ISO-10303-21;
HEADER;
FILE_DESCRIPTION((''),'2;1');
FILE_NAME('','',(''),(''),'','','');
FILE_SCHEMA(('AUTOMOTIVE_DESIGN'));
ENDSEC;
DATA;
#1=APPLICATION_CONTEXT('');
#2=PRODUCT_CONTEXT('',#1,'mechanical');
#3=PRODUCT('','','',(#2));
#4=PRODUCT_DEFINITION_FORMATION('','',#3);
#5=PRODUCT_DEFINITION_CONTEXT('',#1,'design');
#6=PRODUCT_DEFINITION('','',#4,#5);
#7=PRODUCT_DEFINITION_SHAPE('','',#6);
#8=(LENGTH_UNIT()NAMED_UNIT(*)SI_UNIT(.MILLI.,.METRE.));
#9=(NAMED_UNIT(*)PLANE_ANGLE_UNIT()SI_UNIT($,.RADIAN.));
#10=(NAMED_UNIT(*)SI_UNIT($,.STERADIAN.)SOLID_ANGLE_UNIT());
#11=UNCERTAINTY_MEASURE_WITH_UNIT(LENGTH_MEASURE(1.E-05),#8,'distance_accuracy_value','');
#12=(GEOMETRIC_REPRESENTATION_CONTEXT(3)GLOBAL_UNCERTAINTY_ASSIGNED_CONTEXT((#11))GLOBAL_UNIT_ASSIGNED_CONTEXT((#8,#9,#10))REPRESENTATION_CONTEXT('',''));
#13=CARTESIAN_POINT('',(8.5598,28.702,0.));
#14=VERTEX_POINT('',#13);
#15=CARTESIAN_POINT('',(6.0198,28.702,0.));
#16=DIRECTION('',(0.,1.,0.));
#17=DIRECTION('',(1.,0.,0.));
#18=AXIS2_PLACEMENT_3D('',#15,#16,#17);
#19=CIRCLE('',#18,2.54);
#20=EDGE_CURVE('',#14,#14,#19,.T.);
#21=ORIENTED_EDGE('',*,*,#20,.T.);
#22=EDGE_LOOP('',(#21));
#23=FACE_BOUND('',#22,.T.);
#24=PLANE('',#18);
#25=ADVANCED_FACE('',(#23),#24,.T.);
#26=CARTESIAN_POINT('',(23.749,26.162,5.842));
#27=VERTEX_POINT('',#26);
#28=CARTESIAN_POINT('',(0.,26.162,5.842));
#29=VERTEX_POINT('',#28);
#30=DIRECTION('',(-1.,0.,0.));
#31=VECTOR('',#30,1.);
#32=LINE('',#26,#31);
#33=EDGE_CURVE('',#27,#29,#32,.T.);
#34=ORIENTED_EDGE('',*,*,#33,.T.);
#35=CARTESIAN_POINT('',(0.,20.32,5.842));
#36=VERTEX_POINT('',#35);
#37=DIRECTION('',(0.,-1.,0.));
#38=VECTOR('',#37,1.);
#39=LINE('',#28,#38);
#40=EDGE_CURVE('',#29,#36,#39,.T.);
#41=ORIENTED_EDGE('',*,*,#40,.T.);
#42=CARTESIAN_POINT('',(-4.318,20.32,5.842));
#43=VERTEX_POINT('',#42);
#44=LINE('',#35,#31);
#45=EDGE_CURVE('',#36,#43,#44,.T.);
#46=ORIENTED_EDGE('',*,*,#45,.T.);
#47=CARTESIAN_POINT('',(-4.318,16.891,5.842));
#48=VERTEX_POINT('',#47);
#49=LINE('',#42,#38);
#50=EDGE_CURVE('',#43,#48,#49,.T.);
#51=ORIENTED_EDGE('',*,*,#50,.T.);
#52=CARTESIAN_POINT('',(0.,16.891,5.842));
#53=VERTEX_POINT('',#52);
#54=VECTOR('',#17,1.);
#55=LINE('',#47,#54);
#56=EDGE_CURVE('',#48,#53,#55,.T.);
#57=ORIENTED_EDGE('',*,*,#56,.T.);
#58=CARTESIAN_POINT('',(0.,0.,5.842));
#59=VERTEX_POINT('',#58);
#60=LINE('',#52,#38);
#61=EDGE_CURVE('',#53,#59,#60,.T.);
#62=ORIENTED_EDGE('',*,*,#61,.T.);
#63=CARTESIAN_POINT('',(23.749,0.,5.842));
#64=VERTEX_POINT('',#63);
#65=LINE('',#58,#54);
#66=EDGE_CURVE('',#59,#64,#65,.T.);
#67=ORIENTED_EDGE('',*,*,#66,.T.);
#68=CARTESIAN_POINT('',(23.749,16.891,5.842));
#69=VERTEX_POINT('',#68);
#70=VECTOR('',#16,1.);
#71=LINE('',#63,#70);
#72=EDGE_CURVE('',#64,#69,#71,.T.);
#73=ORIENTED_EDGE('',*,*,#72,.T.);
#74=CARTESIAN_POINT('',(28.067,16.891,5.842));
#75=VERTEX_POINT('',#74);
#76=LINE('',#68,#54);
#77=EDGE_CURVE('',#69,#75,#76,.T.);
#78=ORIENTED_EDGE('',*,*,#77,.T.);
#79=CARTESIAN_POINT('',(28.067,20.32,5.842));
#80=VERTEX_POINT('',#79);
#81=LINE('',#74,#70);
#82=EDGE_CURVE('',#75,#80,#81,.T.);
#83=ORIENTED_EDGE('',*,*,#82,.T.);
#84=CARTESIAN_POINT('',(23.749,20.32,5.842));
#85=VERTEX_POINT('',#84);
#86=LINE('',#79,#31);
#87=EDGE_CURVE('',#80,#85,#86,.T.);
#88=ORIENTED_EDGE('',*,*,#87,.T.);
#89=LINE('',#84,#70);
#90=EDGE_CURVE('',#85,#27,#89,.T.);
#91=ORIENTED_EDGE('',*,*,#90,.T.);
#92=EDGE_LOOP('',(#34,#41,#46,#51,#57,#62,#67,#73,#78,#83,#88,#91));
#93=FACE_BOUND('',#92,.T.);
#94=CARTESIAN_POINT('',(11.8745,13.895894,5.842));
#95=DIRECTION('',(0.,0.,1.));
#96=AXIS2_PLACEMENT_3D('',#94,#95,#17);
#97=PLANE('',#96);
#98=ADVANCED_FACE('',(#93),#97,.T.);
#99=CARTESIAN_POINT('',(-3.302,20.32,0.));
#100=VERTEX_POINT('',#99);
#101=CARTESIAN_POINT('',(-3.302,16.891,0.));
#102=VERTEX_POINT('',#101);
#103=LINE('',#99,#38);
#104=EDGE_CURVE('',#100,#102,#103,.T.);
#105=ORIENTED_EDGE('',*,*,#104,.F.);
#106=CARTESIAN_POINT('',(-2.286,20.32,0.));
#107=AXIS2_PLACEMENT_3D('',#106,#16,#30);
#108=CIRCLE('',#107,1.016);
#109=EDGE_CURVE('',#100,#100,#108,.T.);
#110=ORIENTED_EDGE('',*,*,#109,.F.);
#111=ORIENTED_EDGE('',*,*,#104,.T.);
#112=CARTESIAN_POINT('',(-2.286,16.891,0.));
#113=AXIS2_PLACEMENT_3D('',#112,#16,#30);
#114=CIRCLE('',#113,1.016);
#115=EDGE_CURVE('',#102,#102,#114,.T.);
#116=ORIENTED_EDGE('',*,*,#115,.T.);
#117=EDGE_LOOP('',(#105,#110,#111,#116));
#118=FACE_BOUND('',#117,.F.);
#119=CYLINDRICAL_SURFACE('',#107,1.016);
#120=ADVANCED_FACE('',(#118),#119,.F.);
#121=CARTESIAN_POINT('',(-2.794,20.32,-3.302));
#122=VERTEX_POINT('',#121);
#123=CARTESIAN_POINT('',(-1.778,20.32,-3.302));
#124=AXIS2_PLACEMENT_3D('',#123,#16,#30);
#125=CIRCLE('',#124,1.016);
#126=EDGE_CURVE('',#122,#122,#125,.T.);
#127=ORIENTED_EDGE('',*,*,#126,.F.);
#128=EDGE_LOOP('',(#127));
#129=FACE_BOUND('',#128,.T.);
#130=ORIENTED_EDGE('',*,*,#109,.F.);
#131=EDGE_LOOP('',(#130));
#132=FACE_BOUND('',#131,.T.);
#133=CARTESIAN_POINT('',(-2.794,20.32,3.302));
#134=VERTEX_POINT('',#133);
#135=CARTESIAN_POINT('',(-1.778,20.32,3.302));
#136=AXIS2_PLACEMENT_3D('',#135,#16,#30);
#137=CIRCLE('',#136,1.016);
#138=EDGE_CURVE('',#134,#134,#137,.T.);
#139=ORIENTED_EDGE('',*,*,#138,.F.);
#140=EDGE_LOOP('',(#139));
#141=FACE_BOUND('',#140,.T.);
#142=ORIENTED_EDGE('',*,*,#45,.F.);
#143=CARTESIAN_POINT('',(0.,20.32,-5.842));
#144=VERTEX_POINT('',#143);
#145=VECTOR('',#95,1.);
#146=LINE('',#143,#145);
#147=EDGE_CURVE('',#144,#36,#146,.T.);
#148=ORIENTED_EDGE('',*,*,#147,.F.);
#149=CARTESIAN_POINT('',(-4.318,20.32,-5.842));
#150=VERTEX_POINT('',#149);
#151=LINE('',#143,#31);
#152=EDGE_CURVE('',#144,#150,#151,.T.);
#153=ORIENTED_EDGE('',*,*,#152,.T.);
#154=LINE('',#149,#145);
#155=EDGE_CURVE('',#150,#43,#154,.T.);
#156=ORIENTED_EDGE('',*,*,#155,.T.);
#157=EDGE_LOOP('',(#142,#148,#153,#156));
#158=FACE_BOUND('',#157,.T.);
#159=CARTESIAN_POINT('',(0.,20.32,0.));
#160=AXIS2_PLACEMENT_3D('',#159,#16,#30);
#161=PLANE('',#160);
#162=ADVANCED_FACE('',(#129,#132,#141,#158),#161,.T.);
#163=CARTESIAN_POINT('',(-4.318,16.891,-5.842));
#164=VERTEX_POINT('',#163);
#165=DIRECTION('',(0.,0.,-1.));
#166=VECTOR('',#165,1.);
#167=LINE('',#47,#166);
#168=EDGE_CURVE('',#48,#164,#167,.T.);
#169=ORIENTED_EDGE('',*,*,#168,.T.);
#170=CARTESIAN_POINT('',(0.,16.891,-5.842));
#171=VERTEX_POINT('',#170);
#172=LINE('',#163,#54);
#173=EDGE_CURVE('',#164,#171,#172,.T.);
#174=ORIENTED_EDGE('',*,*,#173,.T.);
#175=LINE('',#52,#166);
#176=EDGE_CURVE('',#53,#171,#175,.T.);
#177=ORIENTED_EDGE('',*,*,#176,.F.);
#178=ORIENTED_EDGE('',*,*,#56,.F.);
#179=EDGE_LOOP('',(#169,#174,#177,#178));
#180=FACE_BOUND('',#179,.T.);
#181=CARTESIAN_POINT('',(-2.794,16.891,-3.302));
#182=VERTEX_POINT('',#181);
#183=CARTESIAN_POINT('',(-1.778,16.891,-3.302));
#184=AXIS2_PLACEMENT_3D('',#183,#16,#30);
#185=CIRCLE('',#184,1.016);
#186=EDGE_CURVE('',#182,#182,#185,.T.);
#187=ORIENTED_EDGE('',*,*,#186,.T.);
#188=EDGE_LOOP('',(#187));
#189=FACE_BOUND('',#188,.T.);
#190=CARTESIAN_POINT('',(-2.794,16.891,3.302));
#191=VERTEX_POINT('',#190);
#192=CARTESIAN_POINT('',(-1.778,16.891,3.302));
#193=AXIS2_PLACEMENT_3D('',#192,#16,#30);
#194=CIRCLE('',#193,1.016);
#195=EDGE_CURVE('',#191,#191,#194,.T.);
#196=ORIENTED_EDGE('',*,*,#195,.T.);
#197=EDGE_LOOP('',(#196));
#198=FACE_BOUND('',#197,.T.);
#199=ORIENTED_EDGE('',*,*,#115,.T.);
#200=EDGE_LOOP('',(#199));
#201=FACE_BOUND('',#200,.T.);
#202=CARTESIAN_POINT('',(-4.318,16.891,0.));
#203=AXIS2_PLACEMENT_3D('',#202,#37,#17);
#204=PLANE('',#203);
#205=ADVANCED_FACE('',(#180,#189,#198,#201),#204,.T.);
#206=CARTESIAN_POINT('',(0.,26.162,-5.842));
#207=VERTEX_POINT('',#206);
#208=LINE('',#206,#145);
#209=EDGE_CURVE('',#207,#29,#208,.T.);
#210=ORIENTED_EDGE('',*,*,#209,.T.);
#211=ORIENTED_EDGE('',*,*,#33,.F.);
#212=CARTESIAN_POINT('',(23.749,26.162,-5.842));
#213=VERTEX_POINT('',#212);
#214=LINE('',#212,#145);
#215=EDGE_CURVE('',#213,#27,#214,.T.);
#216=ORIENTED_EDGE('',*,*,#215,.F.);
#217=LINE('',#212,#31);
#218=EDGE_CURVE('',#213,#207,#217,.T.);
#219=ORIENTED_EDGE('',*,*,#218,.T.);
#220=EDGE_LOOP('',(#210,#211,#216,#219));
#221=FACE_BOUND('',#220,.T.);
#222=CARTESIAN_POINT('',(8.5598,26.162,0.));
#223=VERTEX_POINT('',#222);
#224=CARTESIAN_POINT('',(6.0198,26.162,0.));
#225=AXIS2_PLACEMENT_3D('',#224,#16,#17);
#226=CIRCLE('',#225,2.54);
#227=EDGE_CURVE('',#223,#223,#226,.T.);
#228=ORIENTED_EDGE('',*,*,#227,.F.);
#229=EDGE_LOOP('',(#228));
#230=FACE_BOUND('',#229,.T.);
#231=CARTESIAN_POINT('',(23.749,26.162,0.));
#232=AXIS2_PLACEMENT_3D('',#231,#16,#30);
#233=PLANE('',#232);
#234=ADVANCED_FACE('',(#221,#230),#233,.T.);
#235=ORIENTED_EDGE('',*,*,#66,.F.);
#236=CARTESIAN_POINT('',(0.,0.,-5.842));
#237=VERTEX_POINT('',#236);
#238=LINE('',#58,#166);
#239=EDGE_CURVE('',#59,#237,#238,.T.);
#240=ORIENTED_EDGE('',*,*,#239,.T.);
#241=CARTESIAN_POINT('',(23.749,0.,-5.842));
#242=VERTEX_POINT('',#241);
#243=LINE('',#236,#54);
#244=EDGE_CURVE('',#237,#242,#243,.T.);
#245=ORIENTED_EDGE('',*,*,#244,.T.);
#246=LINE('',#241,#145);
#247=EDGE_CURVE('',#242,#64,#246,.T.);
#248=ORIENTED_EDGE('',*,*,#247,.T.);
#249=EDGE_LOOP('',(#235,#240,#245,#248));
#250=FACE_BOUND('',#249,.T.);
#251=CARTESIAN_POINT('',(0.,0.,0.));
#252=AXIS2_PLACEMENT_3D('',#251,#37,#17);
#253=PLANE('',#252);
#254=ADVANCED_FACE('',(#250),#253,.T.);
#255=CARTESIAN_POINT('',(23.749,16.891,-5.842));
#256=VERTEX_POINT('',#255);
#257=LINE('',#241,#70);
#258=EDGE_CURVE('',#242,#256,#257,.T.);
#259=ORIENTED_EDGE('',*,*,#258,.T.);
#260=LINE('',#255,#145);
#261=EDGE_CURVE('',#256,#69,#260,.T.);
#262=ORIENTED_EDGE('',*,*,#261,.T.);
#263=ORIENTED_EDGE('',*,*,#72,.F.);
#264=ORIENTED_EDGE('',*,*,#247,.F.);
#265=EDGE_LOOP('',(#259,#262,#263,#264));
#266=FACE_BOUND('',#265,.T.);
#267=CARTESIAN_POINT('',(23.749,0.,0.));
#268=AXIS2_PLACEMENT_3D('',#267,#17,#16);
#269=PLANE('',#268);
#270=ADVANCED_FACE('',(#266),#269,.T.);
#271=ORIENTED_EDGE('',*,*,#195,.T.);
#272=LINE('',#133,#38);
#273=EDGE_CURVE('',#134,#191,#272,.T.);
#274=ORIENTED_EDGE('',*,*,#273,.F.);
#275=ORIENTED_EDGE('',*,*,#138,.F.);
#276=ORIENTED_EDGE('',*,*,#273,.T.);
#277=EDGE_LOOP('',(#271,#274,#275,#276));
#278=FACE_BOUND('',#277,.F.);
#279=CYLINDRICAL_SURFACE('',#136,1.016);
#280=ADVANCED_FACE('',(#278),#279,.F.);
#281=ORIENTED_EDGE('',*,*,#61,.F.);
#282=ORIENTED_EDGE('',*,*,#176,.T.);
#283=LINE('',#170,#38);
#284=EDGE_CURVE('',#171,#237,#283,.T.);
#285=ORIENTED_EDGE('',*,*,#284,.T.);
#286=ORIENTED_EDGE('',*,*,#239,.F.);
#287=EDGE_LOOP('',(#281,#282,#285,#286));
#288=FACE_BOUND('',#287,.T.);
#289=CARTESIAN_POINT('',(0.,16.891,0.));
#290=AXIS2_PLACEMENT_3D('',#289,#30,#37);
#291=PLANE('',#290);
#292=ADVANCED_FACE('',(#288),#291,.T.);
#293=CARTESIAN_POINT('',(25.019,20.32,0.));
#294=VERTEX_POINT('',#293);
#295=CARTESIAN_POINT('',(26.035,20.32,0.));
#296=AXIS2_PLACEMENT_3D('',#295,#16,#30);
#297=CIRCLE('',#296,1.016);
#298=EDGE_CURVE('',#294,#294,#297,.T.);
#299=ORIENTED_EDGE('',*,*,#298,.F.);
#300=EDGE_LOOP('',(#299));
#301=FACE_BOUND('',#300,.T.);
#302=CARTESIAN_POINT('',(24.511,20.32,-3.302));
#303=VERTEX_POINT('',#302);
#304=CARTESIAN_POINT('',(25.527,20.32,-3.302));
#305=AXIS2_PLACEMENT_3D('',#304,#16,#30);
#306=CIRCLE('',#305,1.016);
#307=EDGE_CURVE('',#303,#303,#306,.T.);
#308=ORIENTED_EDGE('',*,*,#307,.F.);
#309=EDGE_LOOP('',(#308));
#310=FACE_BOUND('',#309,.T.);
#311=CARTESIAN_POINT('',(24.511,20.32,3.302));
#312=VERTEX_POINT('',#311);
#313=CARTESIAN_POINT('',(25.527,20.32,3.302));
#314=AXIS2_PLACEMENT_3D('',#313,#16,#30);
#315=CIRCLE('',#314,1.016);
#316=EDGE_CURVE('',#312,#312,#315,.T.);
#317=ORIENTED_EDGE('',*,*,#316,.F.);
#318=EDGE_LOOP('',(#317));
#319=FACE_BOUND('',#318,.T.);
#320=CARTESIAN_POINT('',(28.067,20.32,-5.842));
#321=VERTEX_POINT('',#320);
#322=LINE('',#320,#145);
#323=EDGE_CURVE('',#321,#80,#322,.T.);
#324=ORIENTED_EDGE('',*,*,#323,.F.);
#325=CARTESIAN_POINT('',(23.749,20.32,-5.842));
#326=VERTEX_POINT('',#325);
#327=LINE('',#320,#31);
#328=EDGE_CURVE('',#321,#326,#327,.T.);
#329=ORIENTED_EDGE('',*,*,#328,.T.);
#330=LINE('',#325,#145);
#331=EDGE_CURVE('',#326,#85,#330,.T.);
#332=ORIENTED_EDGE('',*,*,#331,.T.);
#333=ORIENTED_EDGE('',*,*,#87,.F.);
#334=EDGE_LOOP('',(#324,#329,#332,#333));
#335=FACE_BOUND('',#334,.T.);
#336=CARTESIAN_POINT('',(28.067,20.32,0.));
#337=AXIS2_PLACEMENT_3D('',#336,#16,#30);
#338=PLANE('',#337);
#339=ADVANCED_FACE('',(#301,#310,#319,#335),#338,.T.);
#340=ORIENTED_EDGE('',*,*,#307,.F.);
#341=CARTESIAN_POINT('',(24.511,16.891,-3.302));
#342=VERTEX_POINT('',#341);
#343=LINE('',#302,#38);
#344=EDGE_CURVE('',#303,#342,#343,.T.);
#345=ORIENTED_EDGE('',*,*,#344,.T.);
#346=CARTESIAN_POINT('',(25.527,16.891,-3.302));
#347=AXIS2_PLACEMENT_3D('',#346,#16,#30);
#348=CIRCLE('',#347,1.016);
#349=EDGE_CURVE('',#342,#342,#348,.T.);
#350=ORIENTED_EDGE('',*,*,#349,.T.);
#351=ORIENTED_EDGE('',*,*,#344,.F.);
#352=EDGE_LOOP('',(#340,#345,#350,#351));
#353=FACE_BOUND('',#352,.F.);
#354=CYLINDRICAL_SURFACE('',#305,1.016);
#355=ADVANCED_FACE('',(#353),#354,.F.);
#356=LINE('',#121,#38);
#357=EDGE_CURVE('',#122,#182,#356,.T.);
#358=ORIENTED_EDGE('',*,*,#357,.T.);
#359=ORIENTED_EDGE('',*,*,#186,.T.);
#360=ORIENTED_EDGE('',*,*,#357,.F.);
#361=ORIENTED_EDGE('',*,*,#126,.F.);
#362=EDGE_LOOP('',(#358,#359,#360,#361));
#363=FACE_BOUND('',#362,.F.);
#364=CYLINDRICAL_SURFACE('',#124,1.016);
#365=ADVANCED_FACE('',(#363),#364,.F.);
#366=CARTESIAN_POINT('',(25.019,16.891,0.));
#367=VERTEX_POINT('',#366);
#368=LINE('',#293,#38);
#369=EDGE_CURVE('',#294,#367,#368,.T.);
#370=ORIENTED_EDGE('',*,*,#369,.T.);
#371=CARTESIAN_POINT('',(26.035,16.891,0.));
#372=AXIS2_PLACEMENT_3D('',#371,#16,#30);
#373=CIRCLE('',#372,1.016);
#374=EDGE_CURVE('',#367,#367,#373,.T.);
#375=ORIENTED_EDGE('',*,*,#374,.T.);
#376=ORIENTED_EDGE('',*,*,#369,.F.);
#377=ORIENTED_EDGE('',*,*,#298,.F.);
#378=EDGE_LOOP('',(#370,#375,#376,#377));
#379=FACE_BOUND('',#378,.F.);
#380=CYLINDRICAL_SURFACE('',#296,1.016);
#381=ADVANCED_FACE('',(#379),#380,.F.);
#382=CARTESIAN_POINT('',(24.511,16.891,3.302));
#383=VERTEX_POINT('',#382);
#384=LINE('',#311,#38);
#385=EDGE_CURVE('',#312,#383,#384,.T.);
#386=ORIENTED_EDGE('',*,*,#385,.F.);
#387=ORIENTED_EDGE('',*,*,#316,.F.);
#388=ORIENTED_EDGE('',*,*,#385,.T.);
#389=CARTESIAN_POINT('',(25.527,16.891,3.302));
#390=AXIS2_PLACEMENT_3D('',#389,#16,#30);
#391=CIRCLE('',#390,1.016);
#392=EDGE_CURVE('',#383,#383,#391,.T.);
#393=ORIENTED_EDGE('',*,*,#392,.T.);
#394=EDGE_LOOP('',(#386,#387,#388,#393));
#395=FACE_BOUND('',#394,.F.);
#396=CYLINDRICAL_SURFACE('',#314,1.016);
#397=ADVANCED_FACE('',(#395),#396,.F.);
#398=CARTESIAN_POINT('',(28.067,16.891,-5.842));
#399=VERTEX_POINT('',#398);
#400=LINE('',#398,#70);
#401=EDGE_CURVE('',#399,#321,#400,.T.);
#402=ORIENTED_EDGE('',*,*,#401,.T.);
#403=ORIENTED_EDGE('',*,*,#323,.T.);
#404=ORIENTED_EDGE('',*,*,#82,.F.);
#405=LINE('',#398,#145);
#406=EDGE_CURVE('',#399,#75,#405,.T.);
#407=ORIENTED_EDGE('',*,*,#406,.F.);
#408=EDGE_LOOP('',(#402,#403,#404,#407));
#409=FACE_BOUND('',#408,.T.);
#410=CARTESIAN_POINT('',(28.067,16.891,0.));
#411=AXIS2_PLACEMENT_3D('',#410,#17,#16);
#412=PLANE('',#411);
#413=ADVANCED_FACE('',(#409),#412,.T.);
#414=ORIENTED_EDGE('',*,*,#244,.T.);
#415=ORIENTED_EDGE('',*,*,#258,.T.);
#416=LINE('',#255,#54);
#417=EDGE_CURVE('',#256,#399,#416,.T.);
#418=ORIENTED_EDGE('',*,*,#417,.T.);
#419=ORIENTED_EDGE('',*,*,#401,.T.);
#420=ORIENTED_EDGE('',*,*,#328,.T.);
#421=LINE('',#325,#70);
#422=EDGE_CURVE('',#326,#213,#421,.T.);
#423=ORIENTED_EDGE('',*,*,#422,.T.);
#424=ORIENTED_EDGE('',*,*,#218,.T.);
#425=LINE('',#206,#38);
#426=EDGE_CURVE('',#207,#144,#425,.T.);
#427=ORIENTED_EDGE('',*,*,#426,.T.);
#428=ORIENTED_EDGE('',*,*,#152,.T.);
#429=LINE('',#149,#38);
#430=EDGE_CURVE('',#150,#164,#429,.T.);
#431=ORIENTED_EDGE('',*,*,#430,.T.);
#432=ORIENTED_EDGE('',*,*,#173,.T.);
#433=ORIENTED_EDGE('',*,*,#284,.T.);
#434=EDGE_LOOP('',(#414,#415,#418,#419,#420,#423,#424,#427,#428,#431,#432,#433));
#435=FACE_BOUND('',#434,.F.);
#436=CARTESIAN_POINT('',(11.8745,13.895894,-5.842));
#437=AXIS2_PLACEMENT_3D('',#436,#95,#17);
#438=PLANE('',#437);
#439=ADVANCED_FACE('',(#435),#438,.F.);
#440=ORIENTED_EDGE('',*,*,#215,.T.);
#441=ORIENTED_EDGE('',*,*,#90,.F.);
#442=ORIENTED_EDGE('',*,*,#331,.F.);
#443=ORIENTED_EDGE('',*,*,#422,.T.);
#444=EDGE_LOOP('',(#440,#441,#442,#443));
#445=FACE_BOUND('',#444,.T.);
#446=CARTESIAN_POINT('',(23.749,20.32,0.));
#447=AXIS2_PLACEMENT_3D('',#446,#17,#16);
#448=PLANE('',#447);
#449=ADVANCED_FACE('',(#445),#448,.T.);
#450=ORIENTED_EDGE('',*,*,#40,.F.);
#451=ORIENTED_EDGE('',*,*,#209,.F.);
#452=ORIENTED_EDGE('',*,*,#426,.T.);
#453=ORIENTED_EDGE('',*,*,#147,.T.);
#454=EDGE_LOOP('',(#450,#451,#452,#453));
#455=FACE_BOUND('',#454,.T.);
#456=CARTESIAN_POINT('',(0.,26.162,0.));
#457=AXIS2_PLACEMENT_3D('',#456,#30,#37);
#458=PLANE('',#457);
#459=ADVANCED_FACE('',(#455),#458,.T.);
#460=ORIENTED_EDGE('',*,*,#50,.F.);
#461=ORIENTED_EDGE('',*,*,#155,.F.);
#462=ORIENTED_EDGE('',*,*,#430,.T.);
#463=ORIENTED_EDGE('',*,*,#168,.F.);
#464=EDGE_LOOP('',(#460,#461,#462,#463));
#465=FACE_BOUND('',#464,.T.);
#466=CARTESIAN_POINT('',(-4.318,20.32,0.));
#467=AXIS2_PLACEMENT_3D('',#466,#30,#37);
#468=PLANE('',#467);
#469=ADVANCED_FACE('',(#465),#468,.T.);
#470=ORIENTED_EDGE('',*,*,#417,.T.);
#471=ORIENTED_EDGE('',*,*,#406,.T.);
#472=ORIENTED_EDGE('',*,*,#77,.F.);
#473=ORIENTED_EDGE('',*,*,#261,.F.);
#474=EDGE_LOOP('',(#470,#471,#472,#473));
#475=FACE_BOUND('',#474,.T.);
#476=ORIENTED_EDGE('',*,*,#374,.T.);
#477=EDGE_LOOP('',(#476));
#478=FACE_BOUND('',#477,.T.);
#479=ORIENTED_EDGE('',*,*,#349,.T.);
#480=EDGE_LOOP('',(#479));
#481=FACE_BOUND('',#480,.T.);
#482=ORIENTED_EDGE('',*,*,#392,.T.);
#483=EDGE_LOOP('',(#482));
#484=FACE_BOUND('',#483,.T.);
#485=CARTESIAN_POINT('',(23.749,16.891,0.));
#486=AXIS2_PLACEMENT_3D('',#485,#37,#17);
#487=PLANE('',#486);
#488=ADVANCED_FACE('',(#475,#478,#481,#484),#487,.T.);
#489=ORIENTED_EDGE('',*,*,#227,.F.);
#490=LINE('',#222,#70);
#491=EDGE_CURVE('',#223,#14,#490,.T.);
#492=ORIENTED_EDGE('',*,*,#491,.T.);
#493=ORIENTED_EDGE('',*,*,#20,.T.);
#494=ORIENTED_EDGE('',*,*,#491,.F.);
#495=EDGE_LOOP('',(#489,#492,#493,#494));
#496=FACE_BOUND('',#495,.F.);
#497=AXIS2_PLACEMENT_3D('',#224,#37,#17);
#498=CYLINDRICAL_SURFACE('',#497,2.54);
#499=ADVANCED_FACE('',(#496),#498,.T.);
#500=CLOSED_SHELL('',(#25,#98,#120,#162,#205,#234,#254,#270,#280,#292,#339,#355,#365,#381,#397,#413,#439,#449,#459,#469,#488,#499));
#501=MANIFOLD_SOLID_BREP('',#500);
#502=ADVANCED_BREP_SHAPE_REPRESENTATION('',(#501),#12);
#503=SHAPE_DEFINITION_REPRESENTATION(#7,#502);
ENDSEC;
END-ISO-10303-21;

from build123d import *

# Parameters (mm, degrees)
BOSS_EXTRUDE1_DEPTH = 5.842
SKETCH2_R           = 2.54
BOSS_EXTRUDE2_DEPTH = 2.54
CUT_EXTRUDE1_REACH  = 37.14
SKETCH3_R           = 1.016


with BuildPart() as part:
    # Sketch1 → Boss-Extrude1 (new, symmetric)
    with BuildSketch(Plane.XY):
        Polygon((0, 0), (23.749, 0), (23.749, 16.891), (28.067, 16.891), (28.067, 20.32), (23.749, 20.32), (23.749, 26.162), (0, 26.162), (0, 20.32), (-4.318, 20.32), (-4.318, 16.891), (0, 16.891), align=None)
    extrude(amount=BOSS_EXTRUDE1_DEPTH, both=True)

    # Sketch2 → Boss-Extrude2 (add)
    with BuildSketch(Plane(origin=(0, 26.162, 0), x_dir=(1, 0, 0), z_dir=(0, 1, 0))):
        with Locations((6.0198, 0)):
            Circle(SKETCH2_R)
    extrude(amount=BOSS_EXTRUDE2_DEPTH)

    # Sketch3 → Cut-Extrude1 (cut, up to next)
    with BuildSketch(Plane(origin=(0, 20.32, 0), x_dir=(1, 0, 0), z_dir=(0, 1, 0)), mode=Mode.PRIVATE) as cut_extrude1_sk1:
        with Locations(Location((-2.286, 0, 0), (0, 0, 180))):
            Circle(SKETCH3_R)
    cut_extrude1_tool1 = extrude(cut_extrude1_sk1.sketch, amount=-CUT_EXTRUDE1_REACH, mode=Mode.PRIVATE) & part.part
    # Sketch3 → Cut-Extrude1 (cut, up to next)
    with BuildSketch(Plane(origin=(0, 20.32, 0), x_dir=(1, 0, 0), z_dir=(0, 1, 0)), mode=Mode.PRIVATE) as cut_extrude1_sk2:
        with Locations(Location((-1.778, 3.302, 0), (0, 0, 180))):
            Circle(SKETCH3_R)
    cut_extrude1_tool2 = extrude(cut_extrude1_sk2.sketch, amount=-CUT_EXTRUDE1_REACH, mode=Mode.PRIVATE) & part.part
    # Sketch3 → Cut-Extrude1 (cut, up to next)
    with BuildSketch(Plane(origin=(0, 20.32, 0), x_dir=(1, 0, 0), z_dir=(0, 1, 0)), mode=Mode.PRIVATE) as cut_extrude1_sk3:
        with Locations(Location((-1.778, -3.302, 0), (0, 0, 180))):
            Circle(SKETCH3_R)
    cut_extrude1_tool3 = extrude(cut_extrude1_sk3.sketch, amount=-CUT_EXTRUDE1_REACH, mode=Mode.PRIVATE) & part.part
    # Sketch3 → Cut-Extrude1 (cut, up to next)
    with BuildSketch(Plane(origin=(0, 20.32, 0), x_dir=(1, 0, 0), z_dir=(0, 1, 0)), mode=Mode.PRIVATE) as cut_extrude1_sk4:
        with Locations(Location((25.527, -3.302, 0), (0, 0, 180))):
            Circle(SKETCH3_R)
    cut_extrude1_tool4 = extrude(cut_extrude1_sk4.sketch, amount=-CUT_EXTRUDE1_REACH, mode=Mode.PRIVATE) & part.part
    # Sketch3 → Cut-Extrude1 (cut, up to next)
    with BuildSketch(Plane(origin=(0, 20.32, 0), x_dir=(1, 0, 0), z_dir=(0, 1, 0)), mode=Mode.PRIVATE) as cut_extrude1_sk5:
        with Locations(Location((26.035, 0, 0), (0, 0, 180))):
            Circle(SKETCH3_R)
    cut_extrude1_tool5 = extrude(cut_extrude1_sk5.sketch, amount=-CUT_EXTRUDE1_REACH, mode=Mode.PRIVATE) & part.part
    # Sketch3 → Cut-Extrude1 (cut, up to next)
    with BuildSketch(Plane(origin=(0, 20.32, 0), x_dir=(1, 0, 0), z_dir=(0, 1, 0)), mode=Mode.PRIVATE) as cut_extrude1_sk6:
        with Locations(Location((25.527, 3.302, 0), (0, 0, 180))):
            Circle(SKETCH3_R)
    cut_extrude1_tool6 = extrude(cut_extrude1_sk6.sketch, amount=-CUT_EXTRUDE1_REACH, mode=Mode.PRIVATE) & part.part
    add(cut_extrude1_tool1.solids().sort_by_distance((-2.286, 20.32, 0))[0], mode=Mode.SUBTRACT)
    add(cut_extrude1_tool2.solids().sort_by_distance((-1.778, 20.32, -3.302))[0], mode=Mode.SUBTRACT)
    add(cut_extrude1_tool3.solids().sort_by_distance((-1.778, 20.32, 3.302))[0], mode=Mode.SUBTRACT)
    add(cut_extrude1_tool4.solids().sort_by_distance((25.527, 20.32, 3.302))[0], mode=Mode.SUBTRACT)
    add(cut_extrude1_tool5.solids().sort_by_distance((26.035, 20.32, 0))[0], mode=Mode.SUBTRACT)
    add(cut_extrude1_tool6.solids().sort_by_distance((25.527, 20.32, -3.302))[0], mode=Mode.SUBTRACT)


solid = part.part
